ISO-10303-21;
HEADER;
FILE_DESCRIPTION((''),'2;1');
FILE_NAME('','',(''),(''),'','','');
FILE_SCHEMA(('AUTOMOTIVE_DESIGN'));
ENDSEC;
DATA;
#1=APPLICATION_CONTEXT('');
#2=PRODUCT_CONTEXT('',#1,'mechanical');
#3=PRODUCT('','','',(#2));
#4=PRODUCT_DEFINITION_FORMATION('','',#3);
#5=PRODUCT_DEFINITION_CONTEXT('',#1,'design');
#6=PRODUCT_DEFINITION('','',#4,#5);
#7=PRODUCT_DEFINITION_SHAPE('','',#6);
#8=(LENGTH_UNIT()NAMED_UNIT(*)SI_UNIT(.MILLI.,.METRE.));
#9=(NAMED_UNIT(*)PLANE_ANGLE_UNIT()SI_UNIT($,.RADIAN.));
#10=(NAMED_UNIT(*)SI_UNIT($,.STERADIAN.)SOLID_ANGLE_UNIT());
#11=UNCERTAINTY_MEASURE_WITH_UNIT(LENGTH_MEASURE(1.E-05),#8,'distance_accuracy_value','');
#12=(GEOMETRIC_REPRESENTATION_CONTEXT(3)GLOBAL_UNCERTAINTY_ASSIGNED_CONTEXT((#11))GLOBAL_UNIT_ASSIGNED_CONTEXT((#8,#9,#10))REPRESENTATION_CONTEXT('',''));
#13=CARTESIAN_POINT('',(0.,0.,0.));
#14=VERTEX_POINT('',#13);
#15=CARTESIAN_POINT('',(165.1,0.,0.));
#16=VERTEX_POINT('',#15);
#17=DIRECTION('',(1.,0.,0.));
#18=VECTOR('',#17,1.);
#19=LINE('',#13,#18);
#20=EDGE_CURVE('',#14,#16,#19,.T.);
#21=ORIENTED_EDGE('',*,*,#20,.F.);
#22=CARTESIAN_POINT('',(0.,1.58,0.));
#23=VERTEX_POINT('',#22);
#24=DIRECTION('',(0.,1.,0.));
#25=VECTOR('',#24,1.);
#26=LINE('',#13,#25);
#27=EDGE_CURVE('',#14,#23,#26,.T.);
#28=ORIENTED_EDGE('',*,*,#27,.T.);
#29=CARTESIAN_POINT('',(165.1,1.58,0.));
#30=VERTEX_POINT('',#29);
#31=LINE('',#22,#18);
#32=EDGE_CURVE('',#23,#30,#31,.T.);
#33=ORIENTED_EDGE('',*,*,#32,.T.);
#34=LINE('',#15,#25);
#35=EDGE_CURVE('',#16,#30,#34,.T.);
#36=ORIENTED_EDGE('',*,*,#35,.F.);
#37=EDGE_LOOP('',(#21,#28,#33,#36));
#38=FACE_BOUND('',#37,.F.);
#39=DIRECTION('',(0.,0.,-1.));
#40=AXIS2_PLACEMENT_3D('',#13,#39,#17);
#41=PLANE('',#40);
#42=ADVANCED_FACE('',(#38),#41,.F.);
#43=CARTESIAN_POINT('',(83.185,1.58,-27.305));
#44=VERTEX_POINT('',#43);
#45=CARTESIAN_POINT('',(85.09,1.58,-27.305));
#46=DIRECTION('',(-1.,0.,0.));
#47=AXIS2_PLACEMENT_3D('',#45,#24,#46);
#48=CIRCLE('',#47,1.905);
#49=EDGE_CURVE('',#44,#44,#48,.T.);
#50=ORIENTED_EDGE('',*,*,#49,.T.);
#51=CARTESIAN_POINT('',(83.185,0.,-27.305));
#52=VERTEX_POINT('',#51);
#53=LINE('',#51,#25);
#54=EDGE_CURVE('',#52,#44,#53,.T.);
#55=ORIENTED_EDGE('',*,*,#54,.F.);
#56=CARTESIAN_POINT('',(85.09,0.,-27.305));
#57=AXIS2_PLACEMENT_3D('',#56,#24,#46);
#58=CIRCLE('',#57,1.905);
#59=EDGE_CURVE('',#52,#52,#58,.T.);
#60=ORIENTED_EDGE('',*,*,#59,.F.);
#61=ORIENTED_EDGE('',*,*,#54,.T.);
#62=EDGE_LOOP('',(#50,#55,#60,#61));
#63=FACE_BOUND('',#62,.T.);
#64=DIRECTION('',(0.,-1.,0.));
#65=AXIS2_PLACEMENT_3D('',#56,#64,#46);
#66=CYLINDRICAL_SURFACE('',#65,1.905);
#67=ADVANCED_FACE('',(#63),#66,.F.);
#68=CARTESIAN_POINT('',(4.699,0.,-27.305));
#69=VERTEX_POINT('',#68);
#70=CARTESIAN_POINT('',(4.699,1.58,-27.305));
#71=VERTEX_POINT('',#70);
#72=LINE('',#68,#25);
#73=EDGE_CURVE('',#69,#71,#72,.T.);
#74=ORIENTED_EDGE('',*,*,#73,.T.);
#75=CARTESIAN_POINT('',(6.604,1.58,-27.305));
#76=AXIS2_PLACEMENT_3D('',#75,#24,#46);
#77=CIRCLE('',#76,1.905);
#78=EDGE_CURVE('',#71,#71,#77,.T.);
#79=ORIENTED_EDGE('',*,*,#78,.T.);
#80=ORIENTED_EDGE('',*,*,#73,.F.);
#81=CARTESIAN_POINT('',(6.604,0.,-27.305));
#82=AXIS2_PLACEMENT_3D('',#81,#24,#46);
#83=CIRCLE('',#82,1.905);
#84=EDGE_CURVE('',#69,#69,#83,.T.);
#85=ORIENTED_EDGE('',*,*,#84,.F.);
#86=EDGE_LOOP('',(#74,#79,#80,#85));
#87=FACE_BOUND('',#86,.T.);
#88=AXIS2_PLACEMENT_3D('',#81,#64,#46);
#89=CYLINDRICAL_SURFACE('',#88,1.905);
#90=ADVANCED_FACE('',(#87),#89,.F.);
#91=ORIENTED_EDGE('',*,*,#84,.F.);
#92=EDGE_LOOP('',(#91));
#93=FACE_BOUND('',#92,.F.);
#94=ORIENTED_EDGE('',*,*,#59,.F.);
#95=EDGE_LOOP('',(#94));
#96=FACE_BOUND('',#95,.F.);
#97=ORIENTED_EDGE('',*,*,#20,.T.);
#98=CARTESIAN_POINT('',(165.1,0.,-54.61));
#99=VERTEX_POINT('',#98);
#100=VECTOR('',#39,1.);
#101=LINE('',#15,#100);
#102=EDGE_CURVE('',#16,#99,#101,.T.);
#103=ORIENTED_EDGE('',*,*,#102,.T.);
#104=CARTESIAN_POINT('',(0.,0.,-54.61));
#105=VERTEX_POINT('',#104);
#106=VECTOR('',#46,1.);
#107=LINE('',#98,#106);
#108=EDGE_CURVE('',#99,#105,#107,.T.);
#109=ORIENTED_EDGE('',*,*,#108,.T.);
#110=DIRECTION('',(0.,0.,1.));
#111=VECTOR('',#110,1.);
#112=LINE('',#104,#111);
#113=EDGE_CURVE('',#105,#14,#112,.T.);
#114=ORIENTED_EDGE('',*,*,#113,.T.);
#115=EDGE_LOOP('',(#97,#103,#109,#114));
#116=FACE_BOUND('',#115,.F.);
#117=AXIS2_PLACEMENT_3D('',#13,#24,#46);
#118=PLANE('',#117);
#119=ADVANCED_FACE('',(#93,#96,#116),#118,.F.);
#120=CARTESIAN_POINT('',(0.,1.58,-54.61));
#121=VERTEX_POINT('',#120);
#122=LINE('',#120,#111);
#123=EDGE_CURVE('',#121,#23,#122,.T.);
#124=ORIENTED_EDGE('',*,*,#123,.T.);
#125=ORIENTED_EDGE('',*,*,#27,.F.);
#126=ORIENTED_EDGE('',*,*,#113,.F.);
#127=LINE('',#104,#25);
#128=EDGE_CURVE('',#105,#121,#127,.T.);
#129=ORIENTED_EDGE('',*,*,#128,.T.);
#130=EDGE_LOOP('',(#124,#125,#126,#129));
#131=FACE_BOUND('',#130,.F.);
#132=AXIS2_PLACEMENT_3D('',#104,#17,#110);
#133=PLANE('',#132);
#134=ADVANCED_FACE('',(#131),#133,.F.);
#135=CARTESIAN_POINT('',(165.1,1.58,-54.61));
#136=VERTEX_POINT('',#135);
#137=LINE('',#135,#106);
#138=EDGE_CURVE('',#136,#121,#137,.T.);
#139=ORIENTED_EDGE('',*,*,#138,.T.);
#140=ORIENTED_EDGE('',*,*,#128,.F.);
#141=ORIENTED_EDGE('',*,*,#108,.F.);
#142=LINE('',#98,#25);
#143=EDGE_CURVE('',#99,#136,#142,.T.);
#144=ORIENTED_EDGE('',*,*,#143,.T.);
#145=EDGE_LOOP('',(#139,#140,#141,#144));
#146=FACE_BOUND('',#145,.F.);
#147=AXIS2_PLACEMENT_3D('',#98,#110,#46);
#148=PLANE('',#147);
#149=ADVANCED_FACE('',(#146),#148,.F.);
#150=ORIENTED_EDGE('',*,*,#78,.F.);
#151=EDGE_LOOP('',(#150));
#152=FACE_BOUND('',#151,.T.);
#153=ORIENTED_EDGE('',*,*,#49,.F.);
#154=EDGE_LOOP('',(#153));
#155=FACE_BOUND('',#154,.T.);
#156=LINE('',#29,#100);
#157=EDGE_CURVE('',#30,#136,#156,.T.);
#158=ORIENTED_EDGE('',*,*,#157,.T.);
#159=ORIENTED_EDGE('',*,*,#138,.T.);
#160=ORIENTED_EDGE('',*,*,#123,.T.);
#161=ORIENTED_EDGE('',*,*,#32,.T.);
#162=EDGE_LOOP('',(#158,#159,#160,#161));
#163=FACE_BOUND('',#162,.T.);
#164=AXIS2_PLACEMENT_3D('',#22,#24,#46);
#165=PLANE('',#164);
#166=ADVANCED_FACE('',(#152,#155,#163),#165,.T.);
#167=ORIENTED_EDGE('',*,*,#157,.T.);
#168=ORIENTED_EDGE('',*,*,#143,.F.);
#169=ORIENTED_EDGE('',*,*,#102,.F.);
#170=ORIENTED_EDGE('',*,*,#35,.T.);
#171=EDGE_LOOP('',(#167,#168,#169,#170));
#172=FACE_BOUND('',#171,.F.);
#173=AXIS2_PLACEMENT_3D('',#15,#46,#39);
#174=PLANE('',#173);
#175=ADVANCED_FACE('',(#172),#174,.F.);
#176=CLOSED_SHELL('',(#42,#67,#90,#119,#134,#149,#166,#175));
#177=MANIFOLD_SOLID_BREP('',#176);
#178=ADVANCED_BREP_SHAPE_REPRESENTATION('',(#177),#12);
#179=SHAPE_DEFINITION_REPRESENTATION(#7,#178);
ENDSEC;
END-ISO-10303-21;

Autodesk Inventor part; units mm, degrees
ref_plane "YZ Plane" through (0, 0, 0) normal (1, 0, 0) x (0, 1, 0)
ref_plane "XZ Plane" through (0, 0, 0) normal (0, 1, 0) x (-1, 0, 0)
ref_plane "XY Plane" through (0, 0, 0) normal (0, 0, 1) x (1, 0, 0)
sketch "Sketch1" plane through (0, 0, 0) normal (0, 1, 0) x (-1, 0, 0)
  line L0 (0, 0) -> (-165.1, 0)
  line L1 (-165.1, 0) -> (-165.1, -54.61)
  line L2 (-165.1, -54.61) -> (0, -54.61)
  line L3 (0, -54.61) -> (0, 0)
  circle A0 centre (-6.604, -27.305) radius 1.905
  circle A1 centre (-85.09, -27.305) radius 1.905
  dimension "d0" = 165.1
  dimension "d1" = 54.61
  dimension "d2" = 27.305
  dimension "d3" = 6.604
  dimension "d4" = 3.81
  dimension "d5" = 78.486
  dimension "d8" = 3.81
extrude "Extrusion1" add sketch "Sketch1" along normal blind 1.58
properties part number "Board"
